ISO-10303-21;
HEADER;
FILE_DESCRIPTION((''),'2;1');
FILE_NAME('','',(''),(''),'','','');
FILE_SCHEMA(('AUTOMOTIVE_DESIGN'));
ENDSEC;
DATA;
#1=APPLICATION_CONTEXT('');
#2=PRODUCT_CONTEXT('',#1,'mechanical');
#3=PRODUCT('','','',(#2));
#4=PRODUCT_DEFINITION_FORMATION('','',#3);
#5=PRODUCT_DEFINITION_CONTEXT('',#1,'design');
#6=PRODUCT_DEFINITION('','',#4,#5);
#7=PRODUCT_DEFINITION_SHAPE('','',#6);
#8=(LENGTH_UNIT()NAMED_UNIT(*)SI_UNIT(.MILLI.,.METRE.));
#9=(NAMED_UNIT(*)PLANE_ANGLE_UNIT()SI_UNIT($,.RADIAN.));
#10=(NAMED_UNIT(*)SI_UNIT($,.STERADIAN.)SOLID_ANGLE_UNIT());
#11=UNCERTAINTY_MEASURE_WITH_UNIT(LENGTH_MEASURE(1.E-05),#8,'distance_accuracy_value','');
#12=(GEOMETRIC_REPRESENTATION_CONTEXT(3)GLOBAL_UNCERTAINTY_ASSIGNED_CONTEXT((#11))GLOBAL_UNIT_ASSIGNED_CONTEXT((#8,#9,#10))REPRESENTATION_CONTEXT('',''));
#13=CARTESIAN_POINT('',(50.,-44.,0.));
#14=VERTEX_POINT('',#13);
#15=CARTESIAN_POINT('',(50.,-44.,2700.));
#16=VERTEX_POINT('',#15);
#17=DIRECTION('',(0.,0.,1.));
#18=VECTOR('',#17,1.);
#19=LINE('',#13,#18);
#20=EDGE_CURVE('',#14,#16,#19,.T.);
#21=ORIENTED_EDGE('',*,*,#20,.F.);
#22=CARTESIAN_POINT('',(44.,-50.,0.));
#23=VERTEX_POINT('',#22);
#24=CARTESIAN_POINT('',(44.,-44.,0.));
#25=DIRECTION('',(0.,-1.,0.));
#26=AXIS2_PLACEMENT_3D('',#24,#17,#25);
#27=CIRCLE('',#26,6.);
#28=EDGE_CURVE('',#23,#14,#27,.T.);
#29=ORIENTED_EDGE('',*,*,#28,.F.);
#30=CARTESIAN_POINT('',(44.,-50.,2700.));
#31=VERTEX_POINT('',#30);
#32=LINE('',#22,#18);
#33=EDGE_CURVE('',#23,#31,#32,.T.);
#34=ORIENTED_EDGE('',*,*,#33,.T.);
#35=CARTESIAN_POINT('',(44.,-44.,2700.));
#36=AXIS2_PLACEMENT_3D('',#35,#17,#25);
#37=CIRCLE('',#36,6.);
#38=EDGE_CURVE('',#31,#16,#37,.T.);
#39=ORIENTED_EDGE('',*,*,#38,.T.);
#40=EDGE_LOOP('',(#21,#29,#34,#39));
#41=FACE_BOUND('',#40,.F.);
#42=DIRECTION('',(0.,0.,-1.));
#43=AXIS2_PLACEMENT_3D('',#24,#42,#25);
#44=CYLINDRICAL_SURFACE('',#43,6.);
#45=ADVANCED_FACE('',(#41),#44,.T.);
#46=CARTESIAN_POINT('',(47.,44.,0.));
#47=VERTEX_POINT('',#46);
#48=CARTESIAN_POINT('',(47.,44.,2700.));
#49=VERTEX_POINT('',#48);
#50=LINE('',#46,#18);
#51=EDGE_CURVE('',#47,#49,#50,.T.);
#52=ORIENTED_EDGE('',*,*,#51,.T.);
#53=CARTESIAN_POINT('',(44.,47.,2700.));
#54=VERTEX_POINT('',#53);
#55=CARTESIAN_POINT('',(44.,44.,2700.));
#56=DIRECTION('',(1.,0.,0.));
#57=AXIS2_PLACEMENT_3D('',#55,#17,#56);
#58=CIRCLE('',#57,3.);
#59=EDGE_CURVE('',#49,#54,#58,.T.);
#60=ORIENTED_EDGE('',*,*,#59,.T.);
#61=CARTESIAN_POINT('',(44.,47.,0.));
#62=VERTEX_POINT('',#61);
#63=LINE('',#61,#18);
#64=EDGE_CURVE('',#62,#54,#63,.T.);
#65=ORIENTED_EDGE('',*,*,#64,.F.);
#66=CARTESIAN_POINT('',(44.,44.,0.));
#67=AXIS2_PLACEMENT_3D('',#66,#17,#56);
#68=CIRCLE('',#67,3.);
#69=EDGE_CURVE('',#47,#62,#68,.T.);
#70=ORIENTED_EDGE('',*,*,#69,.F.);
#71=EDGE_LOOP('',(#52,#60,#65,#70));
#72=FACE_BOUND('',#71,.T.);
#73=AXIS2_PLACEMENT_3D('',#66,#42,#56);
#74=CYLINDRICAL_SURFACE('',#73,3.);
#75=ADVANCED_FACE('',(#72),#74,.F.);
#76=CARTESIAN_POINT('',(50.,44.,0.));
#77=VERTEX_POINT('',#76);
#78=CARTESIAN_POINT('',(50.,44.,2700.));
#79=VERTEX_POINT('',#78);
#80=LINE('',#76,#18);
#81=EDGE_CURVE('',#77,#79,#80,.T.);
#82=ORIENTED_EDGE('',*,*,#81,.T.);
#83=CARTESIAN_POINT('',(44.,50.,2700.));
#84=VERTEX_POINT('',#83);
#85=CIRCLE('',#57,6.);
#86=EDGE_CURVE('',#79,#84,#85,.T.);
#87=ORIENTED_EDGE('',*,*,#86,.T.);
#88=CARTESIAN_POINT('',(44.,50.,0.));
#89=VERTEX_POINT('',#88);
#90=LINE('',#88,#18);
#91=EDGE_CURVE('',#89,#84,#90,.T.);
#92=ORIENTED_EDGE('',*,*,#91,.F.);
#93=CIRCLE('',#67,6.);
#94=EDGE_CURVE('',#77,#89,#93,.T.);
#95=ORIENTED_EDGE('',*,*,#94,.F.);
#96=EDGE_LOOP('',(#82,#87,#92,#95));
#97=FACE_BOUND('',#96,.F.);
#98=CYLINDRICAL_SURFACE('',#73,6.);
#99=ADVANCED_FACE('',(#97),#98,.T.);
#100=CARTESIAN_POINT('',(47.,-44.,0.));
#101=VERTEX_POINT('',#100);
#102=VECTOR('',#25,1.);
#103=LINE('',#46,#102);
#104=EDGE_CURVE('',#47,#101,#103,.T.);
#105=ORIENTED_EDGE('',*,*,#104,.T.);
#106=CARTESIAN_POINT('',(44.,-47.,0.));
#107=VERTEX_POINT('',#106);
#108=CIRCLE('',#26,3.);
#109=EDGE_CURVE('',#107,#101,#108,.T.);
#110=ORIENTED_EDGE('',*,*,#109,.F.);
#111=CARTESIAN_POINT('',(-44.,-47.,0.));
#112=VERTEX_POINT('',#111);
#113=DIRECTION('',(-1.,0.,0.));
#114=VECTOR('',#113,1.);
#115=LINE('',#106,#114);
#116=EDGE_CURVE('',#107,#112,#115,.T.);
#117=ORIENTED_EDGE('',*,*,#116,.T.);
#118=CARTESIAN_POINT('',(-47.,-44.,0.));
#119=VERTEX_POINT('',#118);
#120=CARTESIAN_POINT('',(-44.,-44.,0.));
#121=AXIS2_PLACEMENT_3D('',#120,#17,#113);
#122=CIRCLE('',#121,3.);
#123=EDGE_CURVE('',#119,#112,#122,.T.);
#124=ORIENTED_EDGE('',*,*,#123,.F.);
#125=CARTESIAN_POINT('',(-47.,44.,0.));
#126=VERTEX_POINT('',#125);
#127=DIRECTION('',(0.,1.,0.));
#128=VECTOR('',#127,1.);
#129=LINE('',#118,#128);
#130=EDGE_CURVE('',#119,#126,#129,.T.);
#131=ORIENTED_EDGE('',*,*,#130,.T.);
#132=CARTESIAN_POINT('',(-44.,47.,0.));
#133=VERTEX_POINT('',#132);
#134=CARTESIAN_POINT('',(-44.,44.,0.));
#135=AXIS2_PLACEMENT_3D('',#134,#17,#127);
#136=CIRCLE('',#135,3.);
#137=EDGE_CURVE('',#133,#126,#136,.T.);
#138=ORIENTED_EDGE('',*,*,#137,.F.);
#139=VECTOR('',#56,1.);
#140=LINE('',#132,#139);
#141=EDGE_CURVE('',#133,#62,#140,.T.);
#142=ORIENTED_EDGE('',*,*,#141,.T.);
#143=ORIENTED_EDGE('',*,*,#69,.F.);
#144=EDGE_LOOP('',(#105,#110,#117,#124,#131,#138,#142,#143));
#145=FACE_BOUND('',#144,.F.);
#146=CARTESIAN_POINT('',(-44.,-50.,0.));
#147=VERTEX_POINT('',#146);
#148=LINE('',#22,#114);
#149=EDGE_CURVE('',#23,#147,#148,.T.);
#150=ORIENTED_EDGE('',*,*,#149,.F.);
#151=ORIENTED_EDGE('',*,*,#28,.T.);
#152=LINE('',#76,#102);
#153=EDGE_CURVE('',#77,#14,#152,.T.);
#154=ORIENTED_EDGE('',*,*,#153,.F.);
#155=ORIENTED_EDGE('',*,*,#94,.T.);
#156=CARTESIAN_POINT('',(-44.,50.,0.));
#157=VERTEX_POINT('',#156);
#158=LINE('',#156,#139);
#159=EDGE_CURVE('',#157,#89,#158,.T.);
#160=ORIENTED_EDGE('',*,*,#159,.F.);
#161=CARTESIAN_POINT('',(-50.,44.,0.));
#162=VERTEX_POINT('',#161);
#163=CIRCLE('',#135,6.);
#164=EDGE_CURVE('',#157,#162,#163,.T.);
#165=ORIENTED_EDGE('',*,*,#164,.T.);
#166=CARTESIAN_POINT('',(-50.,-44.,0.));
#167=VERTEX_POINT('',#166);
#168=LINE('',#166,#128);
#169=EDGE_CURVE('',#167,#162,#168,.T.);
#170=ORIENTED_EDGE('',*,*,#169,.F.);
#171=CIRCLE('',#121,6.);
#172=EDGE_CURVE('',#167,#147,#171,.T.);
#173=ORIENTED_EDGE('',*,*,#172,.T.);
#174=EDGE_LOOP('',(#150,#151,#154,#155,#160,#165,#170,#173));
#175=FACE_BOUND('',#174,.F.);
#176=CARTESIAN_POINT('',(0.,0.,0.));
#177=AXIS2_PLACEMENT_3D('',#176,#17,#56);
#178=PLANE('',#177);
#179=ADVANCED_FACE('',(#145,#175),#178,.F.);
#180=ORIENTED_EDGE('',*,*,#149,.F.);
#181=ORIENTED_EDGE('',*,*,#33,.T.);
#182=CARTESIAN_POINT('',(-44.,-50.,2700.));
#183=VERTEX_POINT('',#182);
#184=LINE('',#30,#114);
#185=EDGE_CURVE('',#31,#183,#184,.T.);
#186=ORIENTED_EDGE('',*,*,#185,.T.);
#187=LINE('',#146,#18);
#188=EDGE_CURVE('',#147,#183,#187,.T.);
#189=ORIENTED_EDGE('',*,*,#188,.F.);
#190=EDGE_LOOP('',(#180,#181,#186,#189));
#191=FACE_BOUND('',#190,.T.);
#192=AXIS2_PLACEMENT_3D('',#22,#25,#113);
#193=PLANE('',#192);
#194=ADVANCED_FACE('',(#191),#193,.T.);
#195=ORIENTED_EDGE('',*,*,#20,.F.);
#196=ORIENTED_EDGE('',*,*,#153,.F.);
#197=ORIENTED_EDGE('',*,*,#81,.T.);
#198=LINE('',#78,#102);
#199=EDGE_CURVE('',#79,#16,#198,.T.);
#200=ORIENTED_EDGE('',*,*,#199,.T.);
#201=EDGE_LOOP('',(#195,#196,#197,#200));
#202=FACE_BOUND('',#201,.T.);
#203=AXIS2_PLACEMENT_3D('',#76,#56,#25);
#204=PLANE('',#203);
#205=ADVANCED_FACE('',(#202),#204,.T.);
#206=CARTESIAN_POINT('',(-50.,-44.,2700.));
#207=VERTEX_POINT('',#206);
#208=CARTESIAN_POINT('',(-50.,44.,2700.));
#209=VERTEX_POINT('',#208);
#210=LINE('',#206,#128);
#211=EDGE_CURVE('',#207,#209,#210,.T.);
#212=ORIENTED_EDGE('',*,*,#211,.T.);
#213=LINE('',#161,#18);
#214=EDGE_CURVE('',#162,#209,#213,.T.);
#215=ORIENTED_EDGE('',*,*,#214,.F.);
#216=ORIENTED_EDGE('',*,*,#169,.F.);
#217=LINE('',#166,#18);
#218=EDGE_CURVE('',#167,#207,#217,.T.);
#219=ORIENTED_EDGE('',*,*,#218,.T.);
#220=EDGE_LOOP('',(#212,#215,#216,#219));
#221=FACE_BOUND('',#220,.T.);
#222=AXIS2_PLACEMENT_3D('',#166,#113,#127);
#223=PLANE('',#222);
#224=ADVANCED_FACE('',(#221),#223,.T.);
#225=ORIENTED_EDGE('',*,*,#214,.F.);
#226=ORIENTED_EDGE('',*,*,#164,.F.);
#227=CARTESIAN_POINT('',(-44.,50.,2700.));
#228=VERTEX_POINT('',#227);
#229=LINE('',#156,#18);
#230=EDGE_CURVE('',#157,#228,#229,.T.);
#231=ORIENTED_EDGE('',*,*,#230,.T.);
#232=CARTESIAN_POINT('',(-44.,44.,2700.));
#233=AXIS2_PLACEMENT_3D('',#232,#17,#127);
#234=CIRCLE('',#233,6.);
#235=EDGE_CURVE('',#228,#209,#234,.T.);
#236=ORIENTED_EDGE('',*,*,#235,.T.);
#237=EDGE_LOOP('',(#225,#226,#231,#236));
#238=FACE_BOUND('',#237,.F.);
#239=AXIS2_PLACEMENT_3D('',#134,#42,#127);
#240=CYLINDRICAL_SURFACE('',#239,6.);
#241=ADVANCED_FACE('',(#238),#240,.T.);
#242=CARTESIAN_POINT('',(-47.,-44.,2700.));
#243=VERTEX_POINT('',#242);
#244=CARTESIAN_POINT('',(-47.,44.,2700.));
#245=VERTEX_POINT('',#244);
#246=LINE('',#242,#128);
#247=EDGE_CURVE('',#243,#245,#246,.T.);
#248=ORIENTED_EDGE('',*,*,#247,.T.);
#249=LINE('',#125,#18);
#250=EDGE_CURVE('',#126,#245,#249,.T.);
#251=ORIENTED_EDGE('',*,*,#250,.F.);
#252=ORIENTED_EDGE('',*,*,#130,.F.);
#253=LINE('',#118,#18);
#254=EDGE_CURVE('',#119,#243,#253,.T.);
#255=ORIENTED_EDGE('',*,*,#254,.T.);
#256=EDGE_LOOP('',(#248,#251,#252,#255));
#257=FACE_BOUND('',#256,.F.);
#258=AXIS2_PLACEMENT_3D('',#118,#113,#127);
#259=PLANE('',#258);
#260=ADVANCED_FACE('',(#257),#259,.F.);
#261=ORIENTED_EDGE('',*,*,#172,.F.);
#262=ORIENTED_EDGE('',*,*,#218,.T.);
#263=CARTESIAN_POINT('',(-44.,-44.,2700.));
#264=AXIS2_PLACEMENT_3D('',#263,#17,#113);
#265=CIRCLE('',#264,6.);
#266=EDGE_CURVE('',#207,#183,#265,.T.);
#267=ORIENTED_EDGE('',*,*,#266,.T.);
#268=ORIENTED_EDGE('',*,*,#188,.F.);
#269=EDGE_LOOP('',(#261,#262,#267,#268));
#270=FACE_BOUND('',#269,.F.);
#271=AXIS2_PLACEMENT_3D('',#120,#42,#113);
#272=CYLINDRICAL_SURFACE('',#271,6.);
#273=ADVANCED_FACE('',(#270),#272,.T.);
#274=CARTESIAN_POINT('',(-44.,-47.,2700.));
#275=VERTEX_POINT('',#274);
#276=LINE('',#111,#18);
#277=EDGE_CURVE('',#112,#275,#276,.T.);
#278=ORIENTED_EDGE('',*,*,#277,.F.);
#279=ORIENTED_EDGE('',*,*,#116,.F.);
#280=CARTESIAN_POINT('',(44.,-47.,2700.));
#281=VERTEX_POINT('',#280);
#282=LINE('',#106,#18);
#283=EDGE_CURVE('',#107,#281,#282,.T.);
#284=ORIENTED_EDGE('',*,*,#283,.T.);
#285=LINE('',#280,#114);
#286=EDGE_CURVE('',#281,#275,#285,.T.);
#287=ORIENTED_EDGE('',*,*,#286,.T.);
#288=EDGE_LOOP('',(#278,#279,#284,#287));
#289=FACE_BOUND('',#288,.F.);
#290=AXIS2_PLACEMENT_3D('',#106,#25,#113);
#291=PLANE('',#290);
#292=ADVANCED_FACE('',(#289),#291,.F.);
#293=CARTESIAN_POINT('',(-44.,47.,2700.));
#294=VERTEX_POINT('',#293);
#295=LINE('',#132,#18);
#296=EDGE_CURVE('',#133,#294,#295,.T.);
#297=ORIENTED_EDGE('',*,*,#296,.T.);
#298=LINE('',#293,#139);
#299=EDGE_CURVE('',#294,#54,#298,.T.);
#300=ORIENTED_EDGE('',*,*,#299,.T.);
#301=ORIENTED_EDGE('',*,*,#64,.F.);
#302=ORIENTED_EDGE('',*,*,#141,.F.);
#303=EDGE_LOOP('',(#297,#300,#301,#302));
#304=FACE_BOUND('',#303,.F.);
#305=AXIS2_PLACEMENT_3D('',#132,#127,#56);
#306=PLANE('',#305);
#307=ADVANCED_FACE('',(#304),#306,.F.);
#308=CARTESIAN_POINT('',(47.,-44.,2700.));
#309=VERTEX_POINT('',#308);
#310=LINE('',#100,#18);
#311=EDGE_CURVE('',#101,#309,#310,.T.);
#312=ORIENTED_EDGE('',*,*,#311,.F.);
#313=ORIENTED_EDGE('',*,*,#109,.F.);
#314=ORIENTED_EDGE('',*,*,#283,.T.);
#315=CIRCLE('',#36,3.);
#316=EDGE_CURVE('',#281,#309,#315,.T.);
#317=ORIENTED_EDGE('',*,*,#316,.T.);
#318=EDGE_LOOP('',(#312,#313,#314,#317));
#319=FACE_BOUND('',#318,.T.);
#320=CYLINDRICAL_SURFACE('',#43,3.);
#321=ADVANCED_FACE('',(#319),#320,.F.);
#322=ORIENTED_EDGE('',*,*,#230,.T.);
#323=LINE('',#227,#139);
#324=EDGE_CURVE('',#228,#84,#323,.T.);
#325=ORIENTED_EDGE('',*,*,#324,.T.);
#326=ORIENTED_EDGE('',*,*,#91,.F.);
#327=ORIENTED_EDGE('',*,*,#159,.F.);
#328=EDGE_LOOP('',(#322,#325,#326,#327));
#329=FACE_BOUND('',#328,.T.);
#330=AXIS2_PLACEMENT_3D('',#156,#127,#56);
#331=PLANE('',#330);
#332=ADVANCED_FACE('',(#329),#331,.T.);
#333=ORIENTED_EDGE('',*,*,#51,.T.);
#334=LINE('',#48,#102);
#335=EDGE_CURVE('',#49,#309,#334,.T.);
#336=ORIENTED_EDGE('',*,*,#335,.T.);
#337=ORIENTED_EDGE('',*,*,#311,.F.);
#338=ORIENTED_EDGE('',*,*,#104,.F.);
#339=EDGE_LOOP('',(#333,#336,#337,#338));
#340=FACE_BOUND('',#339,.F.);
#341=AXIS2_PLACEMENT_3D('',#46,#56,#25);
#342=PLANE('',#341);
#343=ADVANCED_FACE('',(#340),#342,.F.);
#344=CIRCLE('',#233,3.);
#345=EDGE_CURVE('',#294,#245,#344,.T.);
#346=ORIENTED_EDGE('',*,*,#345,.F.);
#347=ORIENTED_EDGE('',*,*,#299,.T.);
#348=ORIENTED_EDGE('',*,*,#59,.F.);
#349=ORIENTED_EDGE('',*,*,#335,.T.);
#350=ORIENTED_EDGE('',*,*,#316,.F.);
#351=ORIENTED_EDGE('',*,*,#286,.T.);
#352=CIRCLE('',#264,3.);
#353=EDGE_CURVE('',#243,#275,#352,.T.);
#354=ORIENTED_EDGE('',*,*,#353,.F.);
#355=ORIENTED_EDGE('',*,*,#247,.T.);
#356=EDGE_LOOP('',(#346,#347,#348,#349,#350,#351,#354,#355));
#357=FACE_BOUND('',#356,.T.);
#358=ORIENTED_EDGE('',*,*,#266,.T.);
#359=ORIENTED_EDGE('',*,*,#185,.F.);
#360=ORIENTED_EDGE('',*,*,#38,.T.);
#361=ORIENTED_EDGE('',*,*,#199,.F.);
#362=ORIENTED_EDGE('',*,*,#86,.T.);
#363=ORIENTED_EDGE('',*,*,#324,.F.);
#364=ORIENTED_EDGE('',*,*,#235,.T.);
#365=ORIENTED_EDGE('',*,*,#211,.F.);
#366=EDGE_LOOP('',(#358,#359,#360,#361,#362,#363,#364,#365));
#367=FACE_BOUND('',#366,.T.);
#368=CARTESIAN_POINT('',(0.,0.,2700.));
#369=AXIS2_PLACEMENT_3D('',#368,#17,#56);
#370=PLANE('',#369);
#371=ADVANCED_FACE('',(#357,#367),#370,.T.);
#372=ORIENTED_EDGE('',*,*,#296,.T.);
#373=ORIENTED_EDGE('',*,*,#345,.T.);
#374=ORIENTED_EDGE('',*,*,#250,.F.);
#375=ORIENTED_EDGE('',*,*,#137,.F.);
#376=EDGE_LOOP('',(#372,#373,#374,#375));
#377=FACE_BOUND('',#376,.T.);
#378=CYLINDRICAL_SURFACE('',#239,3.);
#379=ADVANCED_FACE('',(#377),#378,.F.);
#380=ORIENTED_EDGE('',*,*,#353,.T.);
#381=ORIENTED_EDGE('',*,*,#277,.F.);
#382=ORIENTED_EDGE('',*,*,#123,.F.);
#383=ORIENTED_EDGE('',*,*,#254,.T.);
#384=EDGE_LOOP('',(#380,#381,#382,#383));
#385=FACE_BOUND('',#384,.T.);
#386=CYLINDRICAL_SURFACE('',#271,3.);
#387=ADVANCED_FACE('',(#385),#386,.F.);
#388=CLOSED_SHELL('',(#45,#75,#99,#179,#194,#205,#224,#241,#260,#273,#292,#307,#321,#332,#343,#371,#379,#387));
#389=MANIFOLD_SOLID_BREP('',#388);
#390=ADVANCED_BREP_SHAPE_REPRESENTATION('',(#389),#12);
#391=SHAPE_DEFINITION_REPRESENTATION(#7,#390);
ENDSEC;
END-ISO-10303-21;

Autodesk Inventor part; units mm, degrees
ref_plane "YZ Plane" through (0, 0, 0) normal (1, 0, 0) x (0, 1, 0)
ref_plane "Start Plane" through (0, 0, 0) normal (0, 0, 1) x (1, 0, 0)
ref_plane "End Plane" through (0, 0, 2700) normal (0, 0, 1) x (1, 0, 0)
sketch "Sketch" plane through (0, 0, 0) normal (0, 0, 1) x (1, 0, 0)
  line L0 (-50, -44) -> (-50, 44)
  line L1 (-44, 50) -> (44, 50)
  line L2 (50, 44) -> (50, -44)
  line L3 (44, -50) -> (-44, -50)
  arc A0 (-50, -44) -> (-44, -50) centre (-44, -44) ccw
  arc A1 (50, 44) -> (44, 50) centre (44, 44) ccw
  arc A2 (-44, 50) -> (-50, 44) centre (-44, 44) ccw
  arc A3 (44, -50) -> (50, -44) centre (44, -44) ccw
  arc A4 (-44, 47) -> (-47, 44) centre (-44, 44) ccw
  line L4 (-44, 47) -> (44, 47)
  arc A5 (47, 44) -> (44, 47) centre (44, 44) ccw
  line L5 (47, 44) -> (47, -44)
  arc A6 (44, -47) -> (47, -44) centre (44, -44) ccw
  line L6 (44, -47) -> (-44, -47)
  arc A7 (-47, -44) -> (-44, -47) centre (-44, -44) ccw
  line L7 (-47, -44) -> (-47, 44)
  line L8 (0, 71.7397) -> (0, -71.7397) construction
  line L9 (-71.7397, 0) -> (71.7397, 0) construction
  dimension "d7" = 6
  dimension "d9" = 100
  dimension "d11" = 100
  dimension "d12" = 3
  dimension "d15" = 50
  dimension "d16" = 50
extrude "Body" add sketch "Sketch" along normal up to surface (2700 mm away) from surface at 0
sketch "Sketch3" plane through (0, 0, 0) normal (0, 0, 1) x (1, 0, 0)
  line L0 (0, 0) -> (10, 0)
ref_plane "Work Plane3" through (0, 0, 0) normal (0, -1, 0) x (1, 0, 0)
sketch "Sketch4" plane through (0, 0, 0) normal (0, -1, 0) x (1, 0, 0)
  line L0 (-2, 0) -> (12, 0) projected
  line L1 (-2, 2700) -> (12, 2700) projected
  dimension "d18" = 2700
equation "\"d7\" = G_IR"
equation "\"d9\" = G_W"
equation "\"d11\" = G_H"
equation "\"d12\" = G_T"
equation "\"d15\" = 0.5 * d9"
equation "\"d16\" = 0.5 * d11"
equation "\"d3\" = G_L"
equation "\"G_W\" = 100"
equation "\"G_H\" = 100"
equation "\"G_T\" = 3"
equation "\"G_IR\" = 6"
equation "\"G_L\" = d18"
equation "\"G_OFFSET_START\" = 0"
equation "\"G_OFFSET_END\" = 0"
properties part number "ISO 10799-2 - 100x100x3 - 2700" material "Steel, Mild"
